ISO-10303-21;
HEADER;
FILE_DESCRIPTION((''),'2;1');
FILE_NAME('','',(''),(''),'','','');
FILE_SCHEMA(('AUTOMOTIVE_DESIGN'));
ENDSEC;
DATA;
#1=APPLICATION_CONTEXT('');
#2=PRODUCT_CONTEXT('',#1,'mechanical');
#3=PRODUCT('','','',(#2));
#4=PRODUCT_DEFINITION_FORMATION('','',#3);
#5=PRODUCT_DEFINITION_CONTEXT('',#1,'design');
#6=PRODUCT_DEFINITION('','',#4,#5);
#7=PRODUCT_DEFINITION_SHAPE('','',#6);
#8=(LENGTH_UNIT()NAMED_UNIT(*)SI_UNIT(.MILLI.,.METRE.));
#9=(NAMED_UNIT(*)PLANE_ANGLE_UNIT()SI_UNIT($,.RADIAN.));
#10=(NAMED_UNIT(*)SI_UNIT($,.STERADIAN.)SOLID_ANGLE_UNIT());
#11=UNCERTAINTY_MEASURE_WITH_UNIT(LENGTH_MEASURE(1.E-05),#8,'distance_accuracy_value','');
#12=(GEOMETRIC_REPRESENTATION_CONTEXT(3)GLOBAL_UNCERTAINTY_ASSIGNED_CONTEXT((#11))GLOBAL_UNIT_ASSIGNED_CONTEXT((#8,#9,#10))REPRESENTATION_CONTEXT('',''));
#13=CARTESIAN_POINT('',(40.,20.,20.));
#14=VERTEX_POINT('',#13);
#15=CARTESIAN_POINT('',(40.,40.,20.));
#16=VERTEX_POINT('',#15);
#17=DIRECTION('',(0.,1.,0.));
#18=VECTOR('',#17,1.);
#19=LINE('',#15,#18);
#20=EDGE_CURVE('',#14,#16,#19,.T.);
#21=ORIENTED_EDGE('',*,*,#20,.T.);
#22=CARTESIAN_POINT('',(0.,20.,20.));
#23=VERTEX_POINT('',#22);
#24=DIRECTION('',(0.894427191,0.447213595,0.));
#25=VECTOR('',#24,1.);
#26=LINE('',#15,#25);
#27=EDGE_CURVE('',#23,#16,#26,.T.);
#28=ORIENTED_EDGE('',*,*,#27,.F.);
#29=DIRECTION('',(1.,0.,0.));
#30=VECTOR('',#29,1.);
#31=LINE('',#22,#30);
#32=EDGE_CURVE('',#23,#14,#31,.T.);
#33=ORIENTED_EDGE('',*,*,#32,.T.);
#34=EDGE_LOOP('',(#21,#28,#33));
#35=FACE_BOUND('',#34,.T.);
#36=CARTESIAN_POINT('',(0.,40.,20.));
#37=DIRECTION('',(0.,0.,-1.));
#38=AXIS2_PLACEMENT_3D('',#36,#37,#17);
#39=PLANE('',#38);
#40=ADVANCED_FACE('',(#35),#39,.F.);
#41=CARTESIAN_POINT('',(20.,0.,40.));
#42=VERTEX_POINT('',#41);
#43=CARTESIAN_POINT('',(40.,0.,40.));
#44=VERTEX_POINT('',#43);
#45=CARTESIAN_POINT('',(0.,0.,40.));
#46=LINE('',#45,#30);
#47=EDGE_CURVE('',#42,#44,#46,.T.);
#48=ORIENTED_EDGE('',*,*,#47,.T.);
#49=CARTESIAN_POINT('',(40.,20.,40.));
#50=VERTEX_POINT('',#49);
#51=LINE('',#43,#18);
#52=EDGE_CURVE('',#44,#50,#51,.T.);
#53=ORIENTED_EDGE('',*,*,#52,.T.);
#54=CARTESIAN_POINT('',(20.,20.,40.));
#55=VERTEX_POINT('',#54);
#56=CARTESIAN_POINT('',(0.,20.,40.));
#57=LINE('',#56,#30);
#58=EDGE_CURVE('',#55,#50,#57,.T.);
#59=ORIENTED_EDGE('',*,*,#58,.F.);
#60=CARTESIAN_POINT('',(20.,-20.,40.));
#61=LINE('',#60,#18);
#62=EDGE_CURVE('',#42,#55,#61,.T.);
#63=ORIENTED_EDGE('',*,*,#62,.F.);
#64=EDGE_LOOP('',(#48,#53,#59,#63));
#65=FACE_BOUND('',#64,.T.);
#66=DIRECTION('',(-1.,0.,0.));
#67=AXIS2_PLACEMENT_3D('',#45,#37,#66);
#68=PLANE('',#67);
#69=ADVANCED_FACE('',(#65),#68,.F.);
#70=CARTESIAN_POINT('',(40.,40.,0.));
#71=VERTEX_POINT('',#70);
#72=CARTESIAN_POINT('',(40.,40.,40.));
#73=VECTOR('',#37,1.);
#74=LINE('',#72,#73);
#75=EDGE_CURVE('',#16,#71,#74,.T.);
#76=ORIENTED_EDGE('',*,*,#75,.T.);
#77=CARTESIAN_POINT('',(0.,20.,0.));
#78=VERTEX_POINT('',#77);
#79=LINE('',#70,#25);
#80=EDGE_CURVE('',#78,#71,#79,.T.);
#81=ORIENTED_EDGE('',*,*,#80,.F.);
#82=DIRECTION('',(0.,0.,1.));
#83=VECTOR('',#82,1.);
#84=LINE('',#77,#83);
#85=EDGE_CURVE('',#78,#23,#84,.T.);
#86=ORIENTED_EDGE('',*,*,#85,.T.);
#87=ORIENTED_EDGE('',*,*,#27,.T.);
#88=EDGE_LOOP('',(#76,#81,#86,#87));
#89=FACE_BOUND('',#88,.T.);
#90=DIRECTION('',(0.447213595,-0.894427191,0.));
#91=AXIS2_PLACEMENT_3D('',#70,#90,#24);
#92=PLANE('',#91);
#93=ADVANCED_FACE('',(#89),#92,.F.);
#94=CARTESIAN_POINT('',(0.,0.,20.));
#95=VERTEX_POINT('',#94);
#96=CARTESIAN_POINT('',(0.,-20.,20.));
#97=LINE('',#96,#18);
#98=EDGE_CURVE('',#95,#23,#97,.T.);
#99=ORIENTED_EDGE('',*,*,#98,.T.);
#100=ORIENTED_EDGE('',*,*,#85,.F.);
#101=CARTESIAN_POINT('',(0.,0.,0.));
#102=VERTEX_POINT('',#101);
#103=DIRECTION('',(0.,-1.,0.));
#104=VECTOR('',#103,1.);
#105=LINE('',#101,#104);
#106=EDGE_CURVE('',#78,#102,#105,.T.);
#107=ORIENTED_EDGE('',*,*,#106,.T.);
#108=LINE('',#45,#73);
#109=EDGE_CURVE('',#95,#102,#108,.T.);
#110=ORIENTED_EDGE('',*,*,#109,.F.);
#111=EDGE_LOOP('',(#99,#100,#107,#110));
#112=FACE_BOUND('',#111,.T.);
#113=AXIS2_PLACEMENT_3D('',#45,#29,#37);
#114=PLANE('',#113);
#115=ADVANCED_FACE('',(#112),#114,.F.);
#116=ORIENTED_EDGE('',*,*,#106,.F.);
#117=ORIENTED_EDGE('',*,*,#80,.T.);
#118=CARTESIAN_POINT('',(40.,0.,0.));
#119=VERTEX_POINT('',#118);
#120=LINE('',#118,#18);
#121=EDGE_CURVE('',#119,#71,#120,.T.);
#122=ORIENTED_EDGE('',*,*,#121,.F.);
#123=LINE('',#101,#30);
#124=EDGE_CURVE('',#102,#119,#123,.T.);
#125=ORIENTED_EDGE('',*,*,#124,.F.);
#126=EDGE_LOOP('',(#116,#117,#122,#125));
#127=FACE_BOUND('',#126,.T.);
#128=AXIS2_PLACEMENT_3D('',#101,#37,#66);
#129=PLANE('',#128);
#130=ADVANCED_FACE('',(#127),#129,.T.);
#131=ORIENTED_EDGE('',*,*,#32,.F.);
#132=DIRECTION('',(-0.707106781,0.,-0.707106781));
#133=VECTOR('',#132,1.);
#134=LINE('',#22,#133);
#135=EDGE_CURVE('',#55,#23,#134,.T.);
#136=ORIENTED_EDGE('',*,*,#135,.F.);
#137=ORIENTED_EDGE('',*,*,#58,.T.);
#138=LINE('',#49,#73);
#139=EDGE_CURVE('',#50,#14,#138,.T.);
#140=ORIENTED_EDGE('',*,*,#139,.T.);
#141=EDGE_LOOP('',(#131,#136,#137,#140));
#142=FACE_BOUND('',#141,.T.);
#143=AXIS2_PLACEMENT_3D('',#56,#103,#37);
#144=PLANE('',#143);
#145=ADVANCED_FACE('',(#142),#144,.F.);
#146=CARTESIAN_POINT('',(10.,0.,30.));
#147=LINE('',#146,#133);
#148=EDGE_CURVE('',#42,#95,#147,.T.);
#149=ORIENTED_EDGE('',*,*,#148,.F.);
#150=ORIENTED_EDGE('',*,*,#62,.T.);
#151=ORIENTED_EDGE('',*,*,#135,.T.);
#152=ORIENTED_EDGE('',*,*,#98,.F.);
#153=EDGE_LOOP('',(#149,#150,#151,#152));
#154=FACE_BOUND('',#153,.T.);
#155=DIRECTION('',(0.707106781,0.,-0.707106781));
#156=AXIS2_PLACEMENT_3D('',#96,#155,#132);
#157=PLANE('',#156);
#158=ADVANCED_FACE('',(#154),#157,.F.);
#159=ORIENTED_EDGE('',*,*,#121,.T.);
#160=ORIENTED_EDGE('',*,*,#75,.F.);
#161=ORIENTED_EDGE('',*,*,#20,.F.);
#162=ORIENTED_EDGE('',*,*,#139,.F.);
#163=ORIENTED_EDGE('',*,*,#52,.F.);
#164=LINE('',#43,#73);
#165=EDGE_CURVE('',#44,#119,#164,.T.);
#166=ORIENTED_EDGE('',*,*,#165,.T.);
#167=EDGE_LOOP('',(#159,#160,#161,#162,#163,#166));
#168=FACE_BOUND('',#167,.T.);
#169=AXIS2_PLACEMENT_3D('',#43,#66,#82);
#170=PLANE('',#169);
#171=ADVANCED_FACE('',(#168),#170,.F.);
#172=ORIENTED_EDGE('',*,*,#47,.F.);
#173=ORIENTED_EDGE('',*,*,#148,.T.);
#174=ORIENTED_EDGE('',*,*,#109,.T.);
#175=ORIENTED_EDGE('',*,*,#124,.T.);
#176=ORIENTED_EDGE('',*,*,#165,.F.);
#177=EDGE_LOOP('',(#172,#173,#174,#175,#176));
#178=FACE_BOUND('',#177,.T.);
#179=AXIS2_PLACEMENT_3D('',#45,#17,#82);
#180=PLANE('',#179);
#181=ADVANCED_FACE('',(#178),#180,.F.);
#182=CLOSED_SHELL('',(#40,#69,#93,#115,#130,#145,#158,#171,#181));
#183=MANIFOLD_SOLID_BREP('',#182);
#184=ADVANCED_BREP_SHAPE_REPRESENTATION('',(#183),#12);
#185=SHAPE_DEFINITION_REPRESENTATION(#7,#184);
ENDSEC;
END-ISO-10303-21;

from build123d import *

# Parameters (mm, degrees)
SKETCH1_W           = 40
SKETCH1_H           = 40
BOSS_EXTRUDE1_DEPTH = 40
CUT_EXTRUDE1_DEPTH  = 40
SKETCH3_W           = 20
SKETCH3_H           = 20
CUT_EXTRUDE2_DEPTH  = 40
CUT_EXTRUDE3_DEPTH  = 40


with BuildPart() as part:
    # Sketch1 → Boss-Extrude1 (new body)
    with BuildSketch(Plane.XY):
        with Locations((20, 20)):
            Rectangle(SKETCH1_W, SKETCH1_H)
    extrude(amount=BOSS_EXTRUDE1_DEPTH)

    # Sketch2 → Cut-Extrude1 (cut)
    with BuildSketch(Plane.XY.offset(40)):
        Polygon((40, 40), (0, 20), (0, 40), align=None)
    extrude(amount=-CUT_EXTRUDE1_DEPTH, mode=Mode.SUBTRACT)

    # Sketch3 → Cut-Extrude2 (cut)
    with BuildSketch(Plane(origin=(40, 0, 0), x_dir=(0, 0, -1), z_dir=(1, 0, 0))):
        with Locations((-30, 30)):
            Rectangle(SKETCH3_W, SKETCH3_H)
    extrude(amount=-CUT_EXTRUDE2_DEPTH, mode=Mode.SUBTRACT)

    # Sketch4 → Cut-Extrude3 (cut)
    with BuildSketch(Plane(origin=(0, 20, 0), x_dir=(1, 0, 0), z_dir=(0, 1, 0))):
        Polygon((0, -20), (20, -40), (0, -40), align=None)
    extrude(amount=-CUT_EXTRUDE3_DEPTH, mode=Mode.SUBTRACT)


solid = part.part
